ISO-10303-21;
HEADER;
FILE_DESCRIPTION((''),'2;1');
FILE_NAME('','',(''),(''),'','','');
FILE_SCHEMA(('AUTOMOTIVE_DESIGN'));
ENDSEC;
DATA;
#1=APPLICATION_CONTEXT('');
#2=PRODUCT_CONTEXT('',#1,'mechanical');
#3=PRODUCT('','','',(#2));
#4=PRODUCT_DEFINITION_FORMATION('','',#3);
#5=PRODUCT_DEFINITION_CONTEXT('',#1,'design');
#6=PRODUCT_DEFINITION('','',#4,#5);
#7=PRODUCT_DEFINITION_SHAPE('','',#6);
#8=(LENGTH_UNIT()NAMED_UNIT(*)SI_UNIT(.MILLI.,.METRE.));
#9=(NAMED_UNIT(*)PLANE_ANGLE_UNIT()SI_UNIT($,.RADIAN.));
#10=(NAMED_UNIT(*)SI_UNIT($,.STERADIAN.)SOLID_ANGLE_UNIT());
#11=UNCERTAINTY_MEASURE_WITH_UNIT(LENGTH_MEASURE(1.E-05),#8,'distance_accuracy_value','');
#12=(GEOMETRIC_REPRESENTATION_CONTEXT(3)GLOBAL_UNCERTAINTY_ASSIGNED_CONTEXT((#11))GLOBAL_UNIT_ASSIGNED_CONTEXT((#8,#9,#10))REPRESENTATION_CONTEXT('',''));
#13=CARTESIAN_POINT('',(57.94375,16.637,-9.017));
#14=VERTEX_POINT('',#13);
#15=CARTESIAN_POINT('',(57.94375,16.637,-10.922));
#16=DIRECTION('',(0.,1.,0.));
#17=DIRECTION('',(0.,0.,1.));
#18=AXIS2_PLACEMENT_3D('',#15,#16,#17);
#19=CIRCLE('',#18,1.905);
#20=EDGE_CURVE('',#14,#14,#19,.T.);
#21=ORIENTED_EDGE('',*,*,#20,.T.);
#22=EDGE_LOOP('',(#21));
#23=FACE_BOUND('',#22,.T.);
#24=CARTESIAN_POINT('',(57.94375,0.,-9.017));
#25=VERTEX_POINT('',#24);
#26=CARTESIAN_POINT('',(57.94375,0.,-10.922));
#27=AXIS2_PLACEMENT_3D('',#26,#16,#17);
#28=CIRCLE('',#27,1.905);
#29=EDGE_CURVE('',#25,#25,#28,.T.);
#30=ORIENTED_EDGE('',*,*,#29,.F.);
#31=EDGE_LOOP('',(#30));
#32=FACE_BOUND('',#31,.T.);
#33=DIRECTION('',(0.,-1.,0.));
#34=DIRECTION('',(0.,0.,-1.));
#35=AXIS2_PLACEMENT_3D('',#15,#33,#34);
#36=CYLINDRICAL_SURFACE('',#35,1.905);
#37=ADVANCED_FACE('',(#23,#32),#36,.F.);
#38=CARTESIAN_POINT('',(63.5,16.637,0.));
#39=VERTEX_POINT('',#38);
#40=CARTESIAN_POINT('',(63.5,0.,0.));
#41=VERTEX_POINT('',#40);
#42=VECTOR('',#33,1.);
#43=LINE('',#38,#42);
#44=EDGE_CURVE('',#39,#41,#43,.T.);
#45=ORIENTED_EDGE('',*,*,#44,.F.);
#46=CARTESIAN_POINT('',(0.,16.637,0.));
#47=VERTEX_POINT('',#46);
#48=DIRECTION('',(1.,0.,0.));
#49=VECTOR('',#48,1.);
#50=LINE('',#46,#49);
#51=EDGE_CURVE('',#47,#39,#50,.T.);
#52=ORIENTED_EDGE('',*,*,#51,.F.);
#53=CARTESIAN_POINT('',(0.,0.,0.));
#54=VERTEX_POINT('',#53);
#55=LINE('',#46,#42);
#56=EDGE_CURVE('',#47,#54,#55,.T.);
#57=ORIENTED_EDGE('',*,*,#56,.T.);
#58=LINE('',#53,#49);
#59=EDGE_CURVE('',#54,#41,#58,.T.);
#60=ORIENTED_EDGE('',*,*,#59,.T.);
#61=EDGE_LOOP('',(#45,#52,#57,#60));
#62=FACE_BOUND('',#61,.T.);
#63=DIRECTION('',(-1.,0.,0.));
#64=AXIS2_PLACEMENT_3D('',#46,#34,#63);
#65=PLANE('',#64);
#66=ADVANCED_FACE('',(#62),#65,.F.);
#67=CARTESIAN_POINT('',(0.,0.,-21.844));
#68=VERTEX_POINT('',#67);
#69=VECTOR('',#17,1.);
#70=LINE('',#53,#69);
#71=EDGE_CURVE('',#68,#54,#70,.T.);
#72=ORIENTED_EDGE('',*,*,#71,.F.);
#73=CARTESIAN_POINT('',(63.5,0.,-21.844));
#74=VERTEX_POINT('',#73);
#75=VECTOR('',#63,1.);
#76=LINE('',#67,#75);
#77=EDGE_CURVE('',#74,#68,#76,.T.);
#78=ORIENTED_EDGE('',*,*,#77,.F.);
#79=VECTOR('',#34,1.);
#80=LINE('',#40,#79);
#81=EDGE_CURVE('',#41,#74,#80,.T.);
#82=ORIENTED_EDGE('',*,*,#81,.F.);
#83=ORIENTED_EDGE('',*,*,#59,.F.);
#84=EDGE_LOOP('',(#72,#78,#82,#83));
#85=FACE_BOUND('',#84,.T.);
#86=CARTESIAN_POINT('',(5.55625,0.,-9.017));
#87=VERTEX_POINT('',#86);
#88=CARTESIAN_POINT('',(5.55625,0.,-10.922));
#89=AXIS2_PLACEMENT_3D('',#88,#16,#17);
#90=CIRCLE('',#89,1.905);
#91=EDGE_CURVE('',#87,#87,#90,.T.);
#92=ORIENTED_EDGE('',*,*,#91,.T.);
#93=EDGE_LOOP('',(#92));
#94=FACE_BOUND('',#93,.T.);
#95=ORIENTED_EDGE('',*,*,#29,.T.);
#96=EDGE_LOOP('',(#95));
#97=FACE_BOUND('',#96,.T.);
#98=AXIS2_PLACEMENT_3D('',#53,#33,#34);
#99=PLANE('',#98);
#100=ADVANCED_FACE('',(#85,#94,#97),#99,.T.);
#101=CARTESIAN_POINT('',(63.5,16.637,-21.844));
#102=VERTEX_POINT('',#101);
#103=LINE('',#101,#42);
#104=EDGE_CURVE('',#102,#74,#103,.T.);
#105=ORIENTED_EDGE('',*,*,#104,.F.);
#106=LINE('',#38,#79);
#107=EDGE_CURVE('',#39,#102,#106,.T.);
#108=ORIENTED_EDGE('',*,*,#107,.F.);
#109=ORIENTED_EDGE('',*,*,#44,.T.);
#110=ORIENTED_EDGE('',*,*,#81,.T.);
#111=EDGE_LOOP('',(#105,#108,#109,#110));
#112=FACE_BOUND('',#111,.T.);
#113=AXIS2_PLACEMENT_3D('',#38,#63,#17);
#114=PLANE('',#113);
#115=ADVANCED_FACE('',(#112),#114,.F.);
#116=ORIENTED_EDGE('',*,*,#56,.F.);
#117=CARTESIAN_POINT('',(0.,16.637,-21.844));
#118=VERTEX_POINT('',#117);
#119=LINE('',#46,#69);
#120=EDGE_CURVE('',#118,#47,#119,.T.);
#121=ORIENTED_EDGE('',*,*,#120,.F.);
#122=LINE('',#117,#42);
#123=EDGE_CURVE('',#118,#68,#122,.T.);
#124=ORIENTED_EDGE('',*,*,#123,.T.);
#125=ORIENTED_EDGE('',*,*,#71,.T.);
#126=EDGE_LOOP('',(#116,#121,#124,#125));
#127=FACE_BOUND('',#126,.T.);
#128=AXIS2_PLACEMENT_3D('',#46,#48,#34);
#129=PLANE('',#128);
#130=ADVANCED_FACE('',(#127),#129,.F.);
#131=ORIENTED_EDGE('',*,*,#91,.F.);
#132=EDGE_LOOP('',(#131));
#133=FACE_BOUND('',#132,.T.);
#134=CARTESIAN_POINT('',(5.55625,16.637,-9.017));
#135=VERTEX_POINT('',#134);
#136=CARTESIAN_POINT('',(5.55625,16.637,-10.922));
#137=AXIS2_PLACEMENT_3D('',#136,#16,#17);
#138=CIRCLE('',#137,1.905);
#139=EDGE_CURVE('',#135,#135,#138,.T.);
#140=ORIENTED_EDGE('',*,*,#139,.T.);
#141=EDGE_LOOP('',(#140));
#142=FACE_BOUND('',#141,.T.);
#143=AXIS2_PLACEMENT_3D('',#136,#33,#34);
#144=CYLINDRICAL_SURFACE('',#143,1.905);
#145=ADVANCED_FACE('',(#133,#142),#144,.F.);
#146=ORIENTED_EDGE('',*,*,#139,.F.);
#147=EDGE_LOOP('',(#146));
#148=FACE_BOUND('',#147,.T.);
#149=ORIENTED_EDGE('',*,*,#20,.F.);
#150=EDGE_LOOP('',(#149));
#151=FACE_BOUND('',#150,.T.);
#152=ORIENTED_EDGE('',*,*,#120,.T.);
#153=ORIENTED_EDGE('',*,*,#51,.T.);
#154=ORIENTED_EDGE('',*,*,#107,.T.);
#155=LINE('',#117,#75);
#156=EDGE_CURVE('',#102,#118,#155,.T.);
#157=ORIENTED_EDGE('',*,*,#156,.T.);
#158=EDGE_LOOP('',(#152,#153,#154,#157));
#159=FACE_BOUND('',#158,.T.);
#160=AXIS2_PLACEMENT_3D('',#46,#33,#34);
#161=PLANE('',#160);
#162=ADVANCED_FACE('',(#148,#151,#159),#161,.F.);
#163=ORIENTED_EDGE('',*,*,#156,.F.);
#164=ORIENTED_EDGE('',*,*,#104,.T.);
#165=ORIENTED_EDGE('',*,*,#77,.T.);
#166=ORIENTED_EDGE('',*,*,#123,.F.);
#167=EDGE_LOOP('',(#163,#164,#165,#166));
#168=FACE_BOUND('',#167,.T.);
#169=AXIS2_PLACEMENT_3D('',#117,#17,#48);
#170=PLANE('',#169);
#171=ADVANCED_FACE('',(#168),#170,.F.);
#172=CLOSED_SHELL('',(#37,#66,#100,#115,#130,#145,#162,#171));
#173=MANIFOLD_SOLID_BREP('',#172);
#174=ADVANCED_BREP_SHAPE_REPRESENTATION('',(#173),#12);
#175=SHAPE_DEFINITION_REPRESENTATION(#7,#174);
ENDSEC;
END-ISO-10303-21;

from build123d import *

# Parameters (mm, degrees)
SKETCH1_W           = 63.5
SKETCH1_H           = 21.844
SKETCH1_R           = 1.905
BOSS_EXTRUDE1_DEPTH = 16.637


with BuildPart() as part:
    # Sketch1 → Boss-Extrude1 (new body)
    with BuildSketch(Plane(origin=(0, 0, 0), x_dir=(1, 0, 0), z_dir=(0, 1, 0))):
        with Locations((31.75, 10.922)):
            Rectangle(SKETCH1_W, SKETCH1_H)
        with Locations((5.55625, 10.922)):
            Circle(SKETCH1_R, mode=Mode.SUBTRACT)
        with Locations((57.94375, 10.922)):
            Circle(SKETCH1_R, mode=Mode.SUBTRACT)
    extrude(amount=BOSS_EXTRUDE1_DEPTH)


solid = part.part
